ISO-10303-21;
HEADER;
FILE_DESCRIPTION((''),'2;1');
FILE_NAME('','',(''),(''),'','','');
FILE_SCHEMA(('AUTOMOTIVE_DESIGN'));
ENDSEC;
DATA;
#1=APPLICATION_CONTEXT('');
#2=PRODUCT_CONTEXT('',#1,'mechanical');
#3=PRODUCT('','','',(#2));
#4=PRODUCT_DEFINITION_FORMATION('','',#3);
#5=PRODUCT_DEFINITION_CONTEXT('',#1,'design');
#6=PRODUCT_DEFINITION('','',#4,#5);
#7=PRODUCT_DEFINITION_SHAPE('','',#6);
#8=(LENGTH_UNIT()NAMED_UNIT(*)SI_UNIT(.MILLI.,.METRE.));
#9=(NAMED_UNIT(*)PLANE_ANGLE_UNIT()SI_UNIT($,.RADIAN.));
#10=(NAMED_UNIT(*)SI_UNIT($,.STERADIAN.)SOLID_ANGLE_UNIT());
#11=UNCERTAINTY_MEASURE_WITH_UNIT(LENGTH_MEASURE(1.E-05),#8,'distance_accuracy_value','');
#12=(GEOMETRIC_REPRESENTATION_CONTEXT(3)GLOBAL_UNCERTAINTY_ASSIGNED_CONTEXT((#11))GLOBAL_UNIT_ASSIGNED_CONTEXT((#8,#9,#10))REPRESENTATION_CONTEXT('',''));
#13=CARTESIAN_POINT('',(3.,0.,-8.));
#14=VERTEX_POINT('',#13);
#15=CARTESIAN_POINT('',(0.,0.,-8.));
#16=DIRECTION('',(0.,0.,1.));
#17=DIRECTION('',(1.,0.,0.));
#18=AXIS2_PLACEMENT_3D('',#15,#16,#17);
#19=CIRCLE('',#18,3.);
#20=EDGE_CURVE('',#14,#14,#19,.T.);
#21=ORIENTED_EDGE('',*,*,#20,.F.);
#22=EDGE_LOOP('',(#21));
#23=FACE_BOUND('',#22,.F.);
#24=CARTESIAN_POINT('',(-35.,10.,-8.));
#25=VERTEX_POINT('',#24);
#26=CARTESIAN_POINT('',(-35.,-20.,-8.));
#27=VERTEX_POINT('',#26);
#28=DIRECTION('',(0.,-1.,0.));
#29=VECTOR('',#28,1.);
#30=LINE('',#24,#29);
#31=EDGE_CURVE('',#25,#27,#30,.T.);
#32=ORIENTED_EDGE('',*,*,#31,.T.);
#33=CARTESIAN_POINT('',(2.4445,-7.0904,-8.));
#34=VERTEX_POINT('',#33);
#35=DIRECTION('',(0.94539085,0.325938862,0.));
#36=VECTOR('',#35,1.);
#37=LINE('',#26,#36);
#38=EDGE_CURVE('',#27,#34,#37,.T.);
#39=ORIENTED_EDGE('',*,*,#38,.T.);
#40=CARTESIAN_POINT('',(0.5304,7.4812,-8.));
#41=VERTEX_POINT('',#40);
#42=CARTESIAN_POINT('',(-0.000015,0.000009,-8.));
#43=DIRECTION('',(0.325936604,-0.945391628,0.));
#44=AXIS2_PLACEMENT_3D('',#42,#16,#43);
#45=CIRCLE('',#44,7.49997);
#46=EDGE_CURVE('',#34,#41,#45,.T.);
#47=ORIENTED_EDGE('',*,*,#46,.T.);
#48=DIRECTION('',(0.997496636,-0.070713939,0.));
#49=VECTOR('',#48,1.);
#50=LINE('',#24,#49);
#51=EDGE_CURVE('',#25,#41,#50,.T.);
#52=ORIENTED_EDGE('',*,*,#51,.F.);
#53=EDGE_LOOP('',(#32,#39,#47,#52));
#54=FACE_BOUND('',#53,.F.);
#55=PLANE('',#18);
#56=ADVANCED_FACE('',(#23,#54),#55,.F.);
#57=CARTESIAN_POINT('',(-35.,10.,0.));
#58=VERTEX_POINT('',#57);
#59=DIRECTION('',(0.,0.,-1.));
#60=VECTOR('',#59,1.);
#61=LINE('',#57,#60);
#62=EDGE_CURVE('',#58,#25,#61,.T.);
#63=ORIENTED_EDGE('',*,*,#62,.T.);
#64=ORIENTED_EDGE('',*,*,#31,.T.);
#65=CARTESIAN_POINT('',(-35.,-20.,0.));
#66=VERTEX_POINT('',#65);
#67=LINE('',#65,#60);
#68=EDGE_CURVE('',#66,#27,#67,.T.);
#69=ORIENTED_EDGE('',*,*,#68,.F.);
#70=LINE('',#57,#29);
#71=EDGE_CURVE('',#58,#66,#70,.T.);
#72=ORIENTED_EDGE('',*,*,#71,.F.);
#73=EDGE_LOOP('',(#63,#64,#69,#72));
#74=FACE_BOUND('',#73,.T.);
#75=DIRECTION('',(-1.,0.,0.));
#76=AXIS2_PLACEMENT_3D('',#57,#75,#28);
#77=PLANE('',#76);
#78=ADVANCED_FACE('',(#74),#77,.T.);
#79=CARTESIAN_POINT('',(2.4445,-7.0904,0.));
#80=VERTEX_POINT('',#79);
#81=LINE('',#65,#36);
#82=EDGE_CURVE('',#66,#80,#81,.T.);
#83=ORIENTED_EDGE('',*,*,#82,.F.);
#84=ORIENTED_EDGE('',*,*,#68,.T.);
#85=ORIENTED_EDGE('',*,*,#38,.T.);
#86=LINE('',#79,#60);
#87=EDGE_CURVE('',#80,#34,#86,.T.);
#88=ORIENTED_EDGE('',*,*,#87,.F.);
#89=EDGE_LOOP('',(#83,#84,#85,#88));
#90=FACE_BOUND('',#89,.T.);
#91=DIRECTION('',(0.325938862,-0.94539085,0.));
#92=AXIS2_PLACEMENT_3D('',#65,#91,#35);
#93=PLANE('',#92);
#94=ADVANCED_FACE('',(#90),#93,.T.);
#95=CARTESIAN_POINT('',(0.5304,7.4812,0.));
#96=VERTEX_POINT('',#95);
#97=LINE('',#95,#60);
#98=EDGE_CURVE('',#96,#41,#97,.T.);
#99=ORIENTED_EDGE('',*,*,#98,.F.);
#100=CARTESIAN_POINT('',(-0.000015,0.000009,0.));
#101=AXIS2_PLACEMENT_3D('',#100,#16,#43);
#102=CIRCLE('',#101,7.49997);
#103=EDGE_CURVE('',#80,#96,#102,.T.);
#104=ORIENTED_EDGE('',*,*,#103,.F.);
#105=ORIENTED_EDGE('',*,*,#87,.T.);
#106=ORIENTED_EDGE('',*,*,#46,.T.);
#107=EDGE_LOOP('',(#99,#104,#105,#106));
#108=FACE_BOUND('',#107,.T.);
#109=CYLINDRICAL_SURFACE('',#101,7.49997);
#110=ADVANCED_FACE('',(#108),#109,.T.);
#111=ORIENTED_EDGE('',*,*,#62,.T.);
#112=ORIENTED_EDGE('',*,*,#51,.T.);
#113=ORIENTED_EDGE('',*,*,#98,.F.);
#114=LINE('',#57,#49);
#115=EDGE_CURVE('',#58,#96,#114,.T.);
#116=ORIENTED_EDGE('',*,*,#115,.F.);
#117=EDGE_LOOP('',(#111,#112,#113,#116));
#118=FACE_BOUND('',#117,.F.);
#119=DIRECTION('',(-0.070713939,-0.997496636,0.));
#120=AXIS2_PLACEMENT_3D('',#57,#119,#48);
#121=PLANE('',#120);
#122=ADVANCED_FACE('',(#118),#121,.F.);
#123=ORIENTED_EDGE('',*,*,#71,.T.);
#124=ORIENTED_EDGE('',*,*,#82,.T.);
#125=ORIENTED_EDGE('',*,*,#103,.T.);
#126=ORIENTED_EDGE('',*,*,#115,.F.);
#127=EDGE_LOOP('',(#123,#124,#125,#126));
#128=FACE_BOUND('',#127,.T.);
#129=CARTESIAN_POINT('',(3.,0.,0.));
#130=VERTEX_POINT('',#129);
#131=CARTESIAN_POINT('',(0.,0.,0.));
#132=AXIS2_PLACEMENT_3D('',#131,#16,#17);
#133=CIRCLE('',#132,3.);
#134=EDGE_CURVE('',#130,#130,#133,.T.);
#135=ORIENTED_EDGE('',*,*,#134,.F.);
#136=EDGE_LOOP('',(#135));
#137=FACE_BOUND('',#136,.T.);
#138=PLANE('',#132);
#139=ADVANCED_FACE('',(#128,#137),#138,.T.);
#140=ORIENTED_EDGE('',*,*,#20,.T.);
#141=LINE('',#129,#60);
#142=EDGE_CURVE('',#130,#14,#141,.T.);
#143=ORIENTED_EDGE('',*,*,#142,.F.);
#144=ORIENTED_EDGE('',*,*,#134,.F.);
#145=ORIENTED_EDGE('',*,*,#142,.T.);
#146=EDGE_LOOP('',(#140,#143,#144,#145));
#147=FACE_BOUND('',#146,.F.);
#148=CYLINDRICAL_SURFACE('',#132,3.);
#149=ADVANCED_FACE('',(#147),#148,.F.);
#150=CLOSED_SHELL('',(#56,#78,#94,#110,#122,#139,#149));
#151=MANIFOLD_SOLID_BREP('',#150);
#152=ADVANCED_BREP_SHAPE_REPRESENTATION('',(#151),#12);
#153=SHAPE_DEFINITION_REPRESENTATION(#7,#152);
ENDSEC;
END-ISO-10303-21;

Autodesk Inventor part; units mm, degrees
ref_plane "YZ Plane" through (0, 0, 0) normal (1, 0, 0) x (0, 1, 0)
ref_plane "XZ Plane" through (0, 0, 0) normal (0, 1, 0) x (-1, 0, 0)
ref_plane "XY Plane" through (0, 0, 0) normal (0, 0, 1) x (1, 0, 0)
sketch "Sketch1" plane through (0, 0, 0) normal (0, 0, 1) x (1, 0, 0)
  circle A0 centre (0, 0) radius 3
  arc A1 (2.4445, -7.0904) -> (0.5304, 7.4812) centre (0, 0) ccw
  line L0 (-35, 10) -> (-35, -20)
  line L1 (-35, 10) -> (0.5304, 7.4812)
  line L2 (-35, -20) -> (2.4445, -7.0904)
  dimension "d0" = 6
  dimension "d1" = 15
  dimension "d2" = 35
  dimension "d3" = 10
  dimension "d4" = 30
extrude "Extrusion1" add sketch "Sketch1" against normal blind 8
properties part number "BaseHinge"
